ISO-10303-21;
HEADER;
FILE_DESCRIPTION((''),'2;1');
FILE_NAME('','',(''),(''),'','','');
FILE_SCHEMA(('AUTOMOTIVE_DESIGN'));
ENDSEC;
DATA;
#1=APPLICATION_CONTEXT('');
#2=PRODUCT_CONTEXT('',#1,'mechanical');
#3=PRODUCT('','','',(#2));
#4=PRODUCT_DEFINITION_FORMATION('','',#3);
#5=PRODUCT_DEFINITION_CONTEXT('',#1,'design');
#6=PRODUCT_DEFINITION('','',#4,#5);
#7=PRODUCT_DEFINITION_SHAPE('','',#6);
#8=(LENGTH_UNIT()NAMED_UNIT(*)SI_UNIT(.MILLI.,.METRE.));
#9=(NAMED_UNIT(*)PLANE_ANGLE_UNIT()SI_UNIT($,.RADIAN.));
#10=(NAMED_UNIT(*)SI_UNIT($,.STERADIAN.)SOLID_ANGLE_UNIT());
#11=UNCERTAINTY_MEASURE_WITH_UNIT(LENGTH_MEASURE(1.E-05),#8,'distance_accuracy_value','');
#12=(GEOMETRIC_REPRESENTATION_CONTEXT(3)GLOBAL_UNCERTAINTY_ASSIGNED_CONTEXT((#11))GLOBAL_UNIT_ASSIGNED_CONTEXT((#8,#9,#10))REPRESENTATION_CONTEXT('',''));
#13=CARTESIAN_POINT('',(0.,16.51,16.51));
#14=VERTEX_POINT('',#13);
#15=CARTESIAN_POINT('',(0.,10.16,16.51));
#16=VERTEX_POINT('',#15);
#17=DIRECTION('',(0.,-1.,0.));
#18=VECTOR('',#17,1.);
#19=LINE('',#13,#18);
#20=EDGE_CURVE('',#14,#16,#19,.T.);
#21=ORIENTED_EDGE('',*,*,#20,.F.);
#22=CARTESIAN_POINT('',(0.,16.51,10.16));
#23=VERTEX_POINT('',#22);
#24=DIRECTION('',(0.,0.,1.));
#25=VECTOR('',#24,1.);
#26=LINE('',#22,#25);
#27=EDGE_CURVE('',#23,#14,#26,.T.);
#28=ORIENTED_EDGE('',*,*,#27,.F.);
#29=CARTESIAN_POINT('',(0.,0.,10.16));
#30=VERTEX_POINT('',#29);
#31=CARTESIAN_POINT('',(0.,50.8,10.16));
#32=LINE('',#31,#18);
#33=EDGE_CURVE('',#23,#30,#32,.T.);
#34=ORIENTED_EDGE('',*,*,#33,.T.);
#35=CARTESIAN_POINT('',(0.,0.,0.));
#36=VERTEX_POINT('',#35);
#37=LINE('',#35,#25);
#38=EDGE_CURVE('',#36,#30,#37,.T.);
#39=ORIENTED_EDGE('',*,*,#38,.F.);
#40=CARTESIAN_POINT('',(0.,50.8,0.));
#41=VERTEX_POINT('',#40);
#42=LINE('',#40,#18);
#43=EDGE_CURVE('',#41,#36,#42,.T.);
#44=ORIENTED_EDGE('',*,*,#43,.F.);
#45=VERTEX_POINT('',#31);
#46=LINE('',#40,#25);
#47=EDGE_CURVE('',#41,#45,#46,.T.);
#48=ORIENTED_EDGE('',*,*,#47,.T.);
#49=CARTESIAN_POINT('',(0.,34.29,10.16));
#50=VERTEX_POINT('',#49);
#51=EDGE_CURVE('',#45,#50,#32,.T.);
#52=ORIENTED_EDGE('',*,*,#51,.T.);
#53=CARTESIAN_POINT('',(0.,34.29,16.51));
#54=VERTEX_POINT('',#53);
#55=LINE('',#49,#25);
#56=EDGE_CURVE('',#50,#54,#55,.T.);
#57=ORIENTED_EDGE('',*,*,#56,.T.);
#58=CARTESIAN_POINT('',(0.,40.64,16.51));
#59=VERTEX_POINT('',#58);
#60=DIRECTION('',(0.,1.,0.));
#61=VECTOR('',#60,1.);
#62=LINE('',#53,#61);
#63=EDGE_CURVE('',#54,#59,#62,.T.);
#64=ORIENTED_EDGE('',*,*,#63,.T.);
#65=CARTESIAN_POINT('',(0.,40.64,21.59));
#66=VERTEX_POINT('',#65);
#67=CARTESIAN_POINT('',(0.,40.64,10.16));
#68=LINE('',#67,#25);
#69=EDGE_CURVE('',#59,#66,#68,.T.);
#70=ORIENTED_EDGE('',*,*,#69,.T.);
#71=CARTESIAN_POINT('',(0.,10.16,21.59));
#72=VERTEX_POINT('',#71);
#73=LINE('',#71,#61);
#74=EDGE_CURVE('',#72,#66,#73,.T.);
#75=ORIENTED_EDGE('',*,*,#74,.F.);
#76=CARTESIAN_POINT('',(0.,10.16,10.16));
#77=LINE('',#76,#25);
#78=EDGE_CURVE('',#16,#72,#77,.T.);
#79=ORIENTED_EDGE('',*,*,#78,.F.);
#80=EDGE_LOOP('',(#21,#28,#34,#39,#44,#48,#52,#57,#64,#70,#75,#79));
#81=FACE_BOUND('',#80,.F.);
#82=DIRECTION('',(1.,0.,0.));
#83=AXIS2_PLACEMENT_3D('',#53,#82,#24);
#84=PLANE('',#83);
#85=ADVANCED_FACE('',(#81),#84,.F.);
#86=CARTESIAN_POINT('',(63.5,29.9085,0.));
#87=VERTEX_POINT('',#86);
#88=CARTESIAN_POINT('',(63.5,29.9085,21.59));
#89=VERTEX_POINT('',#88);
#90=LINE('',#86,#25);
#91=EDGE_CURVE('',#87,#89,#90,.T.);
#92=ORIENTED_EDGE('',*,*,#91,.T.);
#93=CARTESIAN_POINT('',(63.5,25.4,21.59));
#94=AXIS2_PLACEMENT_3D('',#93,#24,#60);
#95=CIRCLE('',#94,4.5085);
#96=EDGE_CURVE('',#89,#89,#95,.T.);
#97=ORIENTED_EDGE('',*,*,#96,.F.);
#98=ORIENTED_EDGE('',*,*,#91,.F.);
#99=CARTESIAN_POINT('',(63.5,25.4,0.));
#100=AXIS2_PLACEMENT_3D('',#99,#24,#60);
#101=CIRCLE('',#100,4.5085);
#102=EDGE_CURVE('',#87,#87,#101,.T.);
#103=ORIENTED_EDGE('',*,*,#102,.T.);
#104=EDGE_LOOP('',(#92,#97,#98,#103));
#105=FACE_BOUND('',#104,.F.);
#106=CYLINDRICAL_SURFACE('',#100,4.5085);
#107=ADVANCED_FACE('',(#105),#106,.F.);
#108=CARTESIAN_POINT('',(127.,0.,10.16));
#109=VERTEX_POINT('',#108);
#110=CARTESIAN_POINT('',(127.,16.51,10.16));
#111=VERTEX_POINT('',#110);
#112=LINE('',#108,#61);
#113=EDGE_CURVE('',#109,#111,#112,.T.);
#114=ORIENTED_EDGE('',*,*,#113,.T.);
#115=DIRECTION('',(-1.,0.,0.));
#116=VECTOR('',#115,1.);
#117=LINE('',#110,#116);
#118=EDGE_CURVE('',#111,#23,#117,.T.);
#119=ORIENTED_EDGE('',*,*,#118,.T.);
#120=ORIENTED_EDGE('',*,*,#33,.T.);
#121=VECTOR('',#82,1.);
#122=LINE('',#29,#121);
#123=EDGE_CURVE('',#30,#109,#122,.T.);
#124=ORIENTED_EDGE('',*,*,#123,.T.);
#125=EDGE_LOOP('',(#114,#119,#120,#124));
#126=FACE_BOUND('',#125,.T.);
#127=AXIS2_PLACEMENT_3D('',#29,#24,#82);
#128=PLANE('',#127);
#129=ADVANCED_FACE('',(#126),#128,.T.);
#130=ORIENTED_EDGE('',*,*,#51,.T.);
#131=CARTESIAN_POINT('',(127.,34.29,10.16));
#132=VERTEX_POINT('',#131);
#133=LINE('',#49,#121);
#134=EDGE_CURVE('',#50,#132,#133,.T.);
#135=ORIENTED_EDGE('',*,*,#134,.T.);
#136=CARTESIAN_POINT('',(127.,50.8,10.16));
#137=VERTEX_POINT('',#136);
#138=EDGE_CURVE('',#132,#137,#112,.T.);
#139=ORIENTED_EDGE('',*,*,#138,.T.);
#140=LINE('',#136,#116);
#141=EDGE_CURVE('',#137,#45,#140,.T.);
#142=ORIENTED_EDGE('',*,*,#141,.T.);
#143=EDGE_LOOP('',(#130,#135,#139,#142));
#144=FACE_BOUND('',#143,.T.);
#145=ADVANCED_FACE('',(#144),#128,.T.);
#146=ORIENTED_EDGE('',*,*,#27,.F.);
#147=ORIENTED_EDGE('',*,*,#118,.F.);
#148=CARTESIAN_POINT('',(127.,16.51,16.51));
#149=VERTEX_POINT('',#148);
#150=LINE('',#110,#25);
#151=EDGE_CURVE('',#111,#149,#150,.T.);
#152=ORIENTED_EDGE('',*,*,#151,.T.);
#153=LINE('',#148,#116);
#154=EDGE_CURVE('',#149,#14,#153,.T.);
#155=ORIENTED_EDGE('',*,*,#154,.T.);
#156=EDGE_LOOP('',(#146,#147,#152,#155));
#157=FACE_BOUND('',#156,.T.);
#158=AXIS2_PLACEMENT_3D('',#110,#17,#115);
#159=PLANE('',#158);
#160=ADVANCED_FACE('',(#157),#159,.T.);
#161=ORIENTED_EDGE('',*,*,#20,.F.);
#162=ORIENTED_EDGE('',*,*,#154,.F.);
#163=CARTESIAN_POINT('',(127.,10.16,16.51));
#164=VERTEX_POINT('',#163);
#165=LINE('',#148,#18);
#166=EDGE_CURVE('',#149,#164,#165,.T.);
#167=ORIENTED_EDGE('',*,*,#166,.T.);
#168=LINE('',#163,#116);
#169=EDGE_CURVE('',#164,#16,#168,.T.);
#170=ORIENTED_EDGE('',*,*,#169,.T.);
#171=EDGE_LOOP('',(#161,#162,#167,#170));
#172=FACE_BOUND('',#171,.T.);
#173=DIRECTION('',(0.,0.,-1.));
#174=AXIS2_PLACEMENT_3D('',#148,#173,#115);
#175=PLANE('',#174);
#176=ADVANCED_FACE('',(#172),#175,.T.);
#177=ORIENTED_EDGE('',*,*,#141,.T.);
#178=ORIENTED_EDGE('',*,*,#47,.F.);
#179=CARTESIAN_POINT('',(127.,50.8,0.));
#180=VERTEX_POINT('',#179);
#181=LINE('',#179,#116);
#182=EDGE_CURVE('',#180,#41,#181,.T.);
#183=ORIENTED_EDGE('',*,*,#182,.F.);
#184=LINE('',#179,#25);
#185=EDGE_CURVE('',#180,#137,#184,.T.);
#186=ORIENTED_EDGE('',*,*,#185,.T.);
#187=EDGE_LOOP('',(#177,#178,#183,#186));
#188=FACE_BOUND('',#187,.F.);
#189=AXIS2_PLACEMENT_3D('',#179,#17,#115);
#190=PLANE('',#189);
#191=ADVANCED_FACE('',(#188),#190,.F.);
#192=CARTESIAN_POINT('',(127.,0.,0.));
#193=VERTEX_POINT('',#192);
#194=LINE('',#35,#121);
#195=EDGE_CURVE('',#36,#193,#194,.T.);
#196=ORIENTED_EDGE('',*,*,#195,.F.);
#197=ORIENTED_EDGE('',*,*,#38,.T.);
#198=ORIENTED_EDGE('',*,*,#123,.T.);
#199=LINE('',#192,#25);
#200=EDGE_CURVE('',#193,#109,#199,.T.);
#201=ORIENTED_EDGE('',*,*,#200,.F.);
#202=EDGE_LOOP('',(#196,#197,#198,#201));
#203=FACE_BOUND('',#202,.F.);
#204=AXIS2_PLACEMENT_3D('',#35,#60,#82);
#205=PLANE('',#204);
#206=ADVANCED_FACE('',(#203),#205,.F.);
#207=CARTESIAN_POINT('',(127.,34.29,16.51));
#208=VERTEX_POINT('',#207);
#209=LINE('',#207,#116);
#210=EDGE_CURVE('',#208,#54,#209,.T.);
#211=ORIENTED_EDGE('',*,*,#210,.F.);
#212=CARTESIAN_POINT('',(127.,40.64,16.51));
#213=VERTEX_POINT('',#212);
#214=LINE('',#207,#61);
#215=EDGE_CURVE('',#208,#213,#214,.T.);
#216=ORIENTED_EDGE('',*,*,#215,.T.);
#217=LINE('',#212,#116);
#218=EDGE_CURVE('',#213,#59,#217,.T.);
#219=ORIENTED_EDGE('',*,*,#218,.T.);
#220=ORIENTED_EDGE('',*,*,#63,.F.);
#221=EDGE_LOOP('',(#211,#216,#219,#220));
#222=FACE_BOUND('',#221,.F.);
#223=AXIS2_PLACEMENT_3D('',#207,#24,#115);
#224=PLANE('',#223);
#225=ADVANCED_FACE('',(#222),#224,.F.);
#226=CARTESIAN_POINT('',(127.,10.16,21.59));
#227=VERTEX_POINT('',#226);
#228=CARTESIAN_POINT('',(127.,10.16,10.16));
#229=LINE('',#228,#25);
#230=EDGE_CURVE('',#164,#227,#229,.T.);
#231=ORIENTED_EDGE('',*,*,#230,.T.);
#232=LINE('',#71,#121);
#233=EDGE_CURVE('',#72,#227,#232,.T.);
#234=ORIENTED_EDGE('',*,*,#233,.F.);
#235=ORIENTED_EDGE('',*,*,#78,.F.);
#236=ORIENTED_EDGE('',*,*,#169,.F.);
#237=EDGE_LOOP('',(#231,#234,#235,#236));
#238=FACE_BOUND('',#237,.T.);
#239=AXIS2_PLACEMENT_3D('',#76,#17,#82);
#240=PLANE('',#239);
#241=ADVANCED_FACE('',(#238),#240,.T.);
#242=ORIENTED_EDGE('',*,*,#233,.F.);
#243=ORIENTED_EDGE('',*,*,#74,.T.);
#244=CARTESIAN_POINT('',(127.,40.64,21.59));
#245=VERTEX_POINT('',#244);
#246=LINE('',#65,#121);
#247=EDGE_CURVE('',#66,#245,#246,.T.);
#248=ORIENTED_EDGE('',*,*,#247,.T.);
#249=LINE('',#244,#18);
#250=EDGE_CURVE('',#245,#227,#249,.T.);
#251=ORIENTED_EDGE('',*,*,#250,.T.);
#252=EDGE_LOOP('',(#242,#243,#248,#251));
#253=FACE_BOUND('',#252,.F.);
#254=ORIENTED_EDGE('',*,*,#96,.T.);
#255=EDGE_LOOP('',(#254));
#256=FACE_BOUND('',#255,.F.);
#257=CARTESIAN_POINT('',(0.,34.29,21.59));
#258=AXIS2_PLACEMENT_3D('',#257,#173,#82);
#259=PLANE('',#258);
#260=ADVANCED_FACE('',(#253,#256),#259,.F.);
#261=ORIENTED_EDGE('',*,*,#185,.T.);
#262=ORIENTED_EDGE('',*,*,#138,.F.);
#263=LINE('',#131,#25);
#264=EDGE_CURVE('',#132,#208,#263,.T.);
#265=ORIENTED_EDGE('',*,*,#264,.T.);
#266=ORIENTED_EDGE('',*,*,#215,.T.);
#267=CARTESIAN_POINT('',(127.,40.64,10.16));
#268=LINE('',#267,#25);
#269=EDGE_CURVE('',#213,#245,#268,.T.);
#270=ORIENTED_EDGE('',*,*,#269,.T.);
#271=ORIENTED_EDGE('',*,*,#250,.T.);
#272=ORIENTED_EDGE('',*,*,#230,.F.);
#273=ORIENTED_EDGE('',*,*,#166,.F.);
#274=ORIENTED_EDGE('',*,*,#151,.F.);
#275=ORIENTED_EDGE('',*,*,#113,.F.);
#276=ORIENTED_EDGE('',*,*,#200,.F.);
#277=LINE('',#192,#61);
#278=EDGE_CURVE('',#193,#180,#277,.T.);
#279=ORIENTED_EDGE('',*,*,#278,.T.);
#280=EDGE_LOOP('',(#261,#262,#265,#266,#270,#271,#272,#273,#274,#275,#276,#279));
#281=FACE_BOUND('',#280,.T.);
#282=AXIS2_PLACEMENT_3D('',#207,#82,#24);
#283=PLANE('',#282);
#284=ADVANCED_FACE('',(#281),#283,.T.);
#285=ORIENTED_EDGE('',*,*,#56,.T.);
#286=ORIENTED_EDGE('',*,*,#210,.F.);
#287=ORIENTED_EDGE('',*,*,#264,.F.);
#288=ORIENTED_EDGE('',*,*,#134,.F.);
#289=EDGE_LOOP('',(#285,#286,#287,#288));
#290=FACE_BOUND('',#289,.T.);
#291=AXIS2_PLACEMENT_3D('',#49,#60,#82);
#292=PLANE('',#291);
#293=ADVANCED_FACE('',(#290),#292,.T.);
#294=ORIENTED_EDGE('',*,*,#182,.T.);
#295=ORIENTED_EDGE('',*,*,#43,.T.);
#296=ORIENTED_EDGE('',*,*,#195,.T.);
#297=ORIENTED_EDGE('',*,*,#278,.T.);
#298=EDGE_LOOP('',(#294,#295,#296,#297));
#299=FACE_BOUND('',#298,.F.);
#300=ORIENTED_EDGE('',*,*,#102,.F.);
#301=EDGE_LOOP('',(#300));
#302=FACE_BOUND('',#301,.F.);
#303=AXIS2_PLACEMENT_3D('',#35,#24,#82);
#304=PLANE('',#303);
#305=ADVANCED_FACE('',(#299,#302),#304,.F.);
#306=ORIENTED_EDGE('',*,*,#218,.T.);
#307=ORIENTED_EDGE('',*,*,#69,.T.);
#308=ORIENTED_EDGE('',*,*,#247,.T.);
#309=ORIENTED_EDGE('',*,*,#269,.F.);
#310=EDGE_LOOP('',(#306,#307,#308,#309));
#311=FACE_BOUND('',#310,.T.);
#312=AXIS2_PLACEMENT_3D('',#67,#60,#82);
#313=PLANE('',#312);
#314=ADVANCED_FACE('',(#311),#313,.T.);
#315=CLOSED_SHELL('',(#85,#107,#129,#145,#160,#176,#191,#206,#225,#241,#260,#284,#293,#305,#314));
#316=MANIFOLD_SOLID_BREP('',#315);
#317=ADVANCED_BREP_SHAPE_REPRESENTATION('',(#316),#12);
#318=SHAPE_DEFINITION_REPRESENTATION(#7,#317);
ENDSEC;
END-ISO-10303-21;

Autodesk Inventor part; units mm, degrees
ref_plane "YZ Plane" through (0, 0, 0) normal (1, 0, 0) x (0, 1, 0)
ref_plane "XZ Plane" through (0, 0, 0) normal (0, 1, 0) x (-1, 0, 0)
ref_plane "XY Plane" through (0, 0, 0) normal (0, 0, 1) x (1, 0, 0)
sketch "Sketch1" plane through (0, 0, 0) normal (0, 0, 1) x (1, 0, 0)
  line L0 (0, 0) -> (127, 0)
  line L1 (127, 0) -> (127, 50.8)
  line L2 (127, 50.8) -> (0, 50.8)
  line L3 (0, 50.8) -> (0, 0)
  dimension "d0" = 50.8
  dimension "d1" = 127
extrude "Extrusion1" add sketch "Sketch1" along normal blind 10.16
sketch "Sketch2" plane through (0, 0, 10.16) normal (0, 0, 1) x (1, 0, 0)
  line L0 (0, 50.8) -> (0, 0) projected
  line L1 (127, 0) -> (127, 50.8) projected
  line L2 (0, 34.29) -> (127, 34.29)
  line L3 (127, 34.29) -> (127, 16.51)
  line L4 (127, 16.51) -> (0, 16.51)
  line L5 (0, 16.51) -> (0, 34.29)
  line L6 (127, 50.8) -> (0, 50.8) projected
  point P0 (0, 16.51)
  dimension "d4" = 17.78
  dimension "d5" = 16.51
extrude "Extrusion2" add sketch "Sketch2" along normal blind 11.43 contours L2 L1 L4 L0
sketch "Sketch4" plane through (0, 34.29, 10.16) normal (0, 1, 0) x (1, 0, 0)
  line L0 (0, 0) -> (0, -11.43) projected
  line L1 (127, 0) -> (127, -11.43) projected
  line L2 (0, -11.43) -> (127, -11.43)
  line L3 (127, -11.43) -> (127, -6.35)
  line L4 (127, -6.35) -> (0, -6.35)
  line L5 (0, -6.35) -> (0, -11.43)
  point P0 (0, 10.16)
  point P1 (0, -6.35)
  dimension "d10" = 5.08
sketch "Sketch5" plane through (0, 16.51, 10.16) normal (0, -1, 0) x (1, 0, 0)
  line L0 (0, 0) -> (0, 11.43) projected
  line L1 (127, 0) -> (127, 11.43) projected
  line L2 (0, 11.43) -> (127, 11.43)
  line L3 (127, 11.43) -> (127, 6.35)
  line L4 (127, 6.35) -> (0, 6.35)
  line L5 (0, 6.35) -> (0, 11.43)
  point P0 (0, -10.16)
  point P1 (0, 6.35)
  dimension "d11" = 5.08
extrude "Extrusion3" add sketch "Sketch5" along normal blind 6.35
extrude "Extrusion4" add sketch "Sketch4" along normal blind 6.35
sketch "Sketch6" plane through (0, 0, 0) normal (0, 0, -1) x (-1, 0, 0)
  circle A0 centre (-63.5, 25.4) radius 5.08
  line L0 (0, 50.8) -> (0, 0) projected
  line L1 (0, 0) -> (-127, 0) projected
  dimension "d16" = 10.16
  dimension "d17" = 63.5
  dimension "d18" = 25.4
hole "Hole1" at (63.5, 25.4, 0) direction (0, 0, 1) diameter 9.017 end through all
properties part number "jeep pvc connect on pvc"
